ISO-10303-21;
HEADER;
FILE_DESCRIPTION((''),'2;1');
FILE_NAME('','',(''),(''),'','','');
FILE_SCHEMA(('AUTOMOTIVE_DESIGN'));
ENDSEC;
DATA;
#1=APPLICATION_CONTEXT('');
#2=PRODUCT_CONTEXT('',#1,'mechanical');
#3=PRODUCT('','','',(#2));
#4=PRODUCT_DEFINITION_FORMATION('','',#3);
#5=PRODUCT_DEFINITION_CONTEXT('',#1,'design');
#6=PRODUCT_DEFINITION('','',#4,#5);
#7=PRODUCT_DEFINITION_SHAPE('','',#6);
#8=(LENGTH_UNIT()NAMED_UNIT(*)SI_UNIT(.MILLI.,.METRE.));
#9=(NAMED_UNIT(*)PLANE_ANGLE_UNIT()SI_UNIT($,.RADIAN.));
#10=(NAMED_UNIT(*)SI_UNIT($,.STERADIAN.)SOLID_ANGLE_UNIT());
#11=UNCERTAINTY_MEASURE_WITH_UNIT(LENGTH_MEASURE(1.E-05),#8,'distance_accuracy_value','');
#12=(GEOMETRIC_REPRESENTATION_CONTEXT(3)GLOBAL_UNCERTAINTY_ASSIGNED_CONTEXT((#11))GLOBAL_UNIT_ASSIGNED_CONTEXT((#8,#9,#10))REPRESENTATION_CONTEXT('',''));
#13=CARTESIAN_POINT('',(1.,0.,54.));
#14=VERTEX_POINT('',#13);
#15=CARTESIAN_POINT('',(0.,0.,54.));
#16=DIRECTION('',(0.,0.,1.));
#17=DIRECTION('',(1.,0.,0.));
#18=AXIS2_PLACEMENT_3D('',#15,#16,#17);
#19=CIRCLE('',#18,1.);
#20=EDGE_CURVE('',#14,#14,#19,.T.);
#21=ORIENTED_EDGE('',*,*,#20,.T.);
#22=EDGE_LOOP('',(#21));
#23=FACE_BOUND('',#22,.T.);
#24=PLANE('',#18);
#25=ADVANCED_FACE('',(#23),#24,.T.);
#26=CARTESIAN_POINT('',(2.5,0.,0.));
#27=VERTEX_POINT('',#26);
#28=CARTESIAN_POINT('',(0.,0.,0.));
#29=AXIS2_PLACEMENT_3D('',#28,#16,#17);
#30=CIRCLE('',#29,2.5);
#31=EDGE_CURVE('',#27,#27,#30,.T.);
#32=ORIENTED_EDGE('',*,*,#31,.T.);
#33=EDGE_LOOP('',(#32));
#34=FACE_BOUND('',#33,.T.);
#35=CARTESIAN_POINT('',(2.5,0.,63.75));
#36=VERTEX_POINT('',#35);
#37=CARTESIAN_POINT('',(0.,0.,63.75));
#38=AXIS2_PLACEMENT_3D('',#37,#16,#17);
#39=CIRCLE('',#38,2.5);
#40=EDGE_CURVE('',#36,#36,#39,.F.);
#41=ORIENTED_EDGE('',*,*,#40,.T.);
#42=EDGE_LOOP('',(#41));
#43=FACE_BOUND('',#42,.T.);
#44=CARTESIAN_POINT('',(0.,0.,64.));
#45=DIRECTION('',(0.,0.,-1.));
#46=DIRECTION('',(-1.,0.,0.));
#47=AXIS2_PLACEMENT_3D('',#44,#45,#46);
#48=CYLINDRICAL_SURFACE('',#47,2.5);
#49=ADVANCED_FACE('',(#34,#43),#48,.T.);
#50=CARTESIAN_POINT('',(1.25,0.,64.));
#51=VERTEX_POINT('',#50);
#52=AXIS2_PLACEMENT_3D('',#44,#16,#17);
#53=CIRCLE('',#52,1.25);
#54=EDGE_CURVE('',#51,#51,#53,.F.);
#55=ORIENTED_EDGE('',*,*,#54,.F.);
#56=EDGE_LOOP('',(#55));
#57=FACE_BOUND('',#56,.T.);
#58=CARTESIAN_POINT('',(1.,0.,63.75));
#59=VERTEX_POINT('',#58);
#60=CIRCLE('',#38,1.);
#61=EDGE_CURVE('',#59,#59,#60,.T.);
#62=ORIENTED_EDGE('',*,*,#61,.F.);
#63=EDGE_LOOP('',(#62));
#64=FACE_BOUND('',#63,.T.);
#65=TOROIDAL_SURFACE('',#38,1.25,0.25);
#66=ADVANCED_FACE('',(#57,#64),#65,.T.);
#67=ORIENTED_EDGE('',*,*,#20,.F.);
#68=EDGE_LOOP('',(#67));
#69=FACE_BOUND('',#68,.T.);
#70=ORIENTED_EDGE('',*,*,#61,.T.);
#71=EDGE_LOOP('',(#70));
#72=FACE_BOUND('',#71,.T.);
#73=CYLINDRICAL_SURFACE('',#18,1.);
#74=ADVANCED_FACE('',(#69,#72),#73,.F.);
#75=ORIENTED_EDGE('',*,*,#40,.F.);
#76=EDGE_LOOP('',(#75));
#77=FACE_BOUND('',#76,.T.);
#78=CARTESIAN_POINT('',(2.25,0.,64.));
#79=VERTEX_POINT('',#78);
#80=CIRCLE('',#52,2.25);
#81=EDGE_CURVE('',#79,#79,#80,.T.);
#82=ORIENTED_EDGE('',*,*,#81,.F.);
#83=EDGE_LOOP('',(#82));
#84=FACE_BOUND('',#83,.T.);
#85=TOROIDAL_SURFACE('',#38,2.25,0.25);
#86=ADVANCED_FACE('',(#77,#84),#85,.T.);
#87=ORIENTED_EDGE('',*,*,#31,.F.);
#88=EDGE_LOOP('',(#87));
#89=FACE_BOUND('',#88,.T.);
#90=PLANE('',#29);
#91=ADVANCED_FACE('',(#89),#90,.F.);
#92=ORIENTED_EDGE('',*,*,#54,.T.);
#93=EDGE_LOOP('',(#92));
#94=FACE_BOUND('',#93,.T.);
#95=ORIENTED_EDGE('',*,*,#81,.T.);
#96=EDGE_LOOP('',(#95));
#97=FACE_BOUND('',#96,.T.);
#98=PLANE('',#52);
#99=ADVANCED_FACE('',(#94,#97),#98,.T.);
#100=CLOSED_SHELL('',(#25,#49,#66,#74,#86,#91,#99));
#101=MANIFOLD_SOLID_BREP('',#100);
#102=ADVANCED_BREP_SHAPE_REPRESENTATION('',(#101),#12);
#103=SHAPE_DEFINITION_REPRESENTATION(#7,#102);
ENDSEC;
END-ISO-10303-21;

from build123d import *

# Parameters (mm, degrees)
SKETCH1_R      = 2.5
EXTRUDE1_DEPTH = 64
SKETCH2_R      = 1
ICE1_DEPTH     = 10
FILLET1_R      = 0.25


with BuildPart() as part:
    # Sketch1 → Extrude1 (new body)
    with BuildSketch(Plane.XY):
        Circle(SKETCH1_R)
    extrude(amount=EXTRUDE1_DEPTH)

    # Sketch2 → ICE1 (cut)
    with BuildSketch(Plane.XY.offset(64)):
        Circle(SKETCH2_R)
    extrude(amount=-ICE1_DEPTH, mode=Mode.SUBTRACT)

    # Fillet1
    fillet1_edges = [part.edges().sort_by_distance(p)[0] for p in [
        (-2.5, 0, 64),
        (-1, 0, 64),
    ]]
    fillet(fillet1_edges, radius=FILLET1_R)


solid = part.part
